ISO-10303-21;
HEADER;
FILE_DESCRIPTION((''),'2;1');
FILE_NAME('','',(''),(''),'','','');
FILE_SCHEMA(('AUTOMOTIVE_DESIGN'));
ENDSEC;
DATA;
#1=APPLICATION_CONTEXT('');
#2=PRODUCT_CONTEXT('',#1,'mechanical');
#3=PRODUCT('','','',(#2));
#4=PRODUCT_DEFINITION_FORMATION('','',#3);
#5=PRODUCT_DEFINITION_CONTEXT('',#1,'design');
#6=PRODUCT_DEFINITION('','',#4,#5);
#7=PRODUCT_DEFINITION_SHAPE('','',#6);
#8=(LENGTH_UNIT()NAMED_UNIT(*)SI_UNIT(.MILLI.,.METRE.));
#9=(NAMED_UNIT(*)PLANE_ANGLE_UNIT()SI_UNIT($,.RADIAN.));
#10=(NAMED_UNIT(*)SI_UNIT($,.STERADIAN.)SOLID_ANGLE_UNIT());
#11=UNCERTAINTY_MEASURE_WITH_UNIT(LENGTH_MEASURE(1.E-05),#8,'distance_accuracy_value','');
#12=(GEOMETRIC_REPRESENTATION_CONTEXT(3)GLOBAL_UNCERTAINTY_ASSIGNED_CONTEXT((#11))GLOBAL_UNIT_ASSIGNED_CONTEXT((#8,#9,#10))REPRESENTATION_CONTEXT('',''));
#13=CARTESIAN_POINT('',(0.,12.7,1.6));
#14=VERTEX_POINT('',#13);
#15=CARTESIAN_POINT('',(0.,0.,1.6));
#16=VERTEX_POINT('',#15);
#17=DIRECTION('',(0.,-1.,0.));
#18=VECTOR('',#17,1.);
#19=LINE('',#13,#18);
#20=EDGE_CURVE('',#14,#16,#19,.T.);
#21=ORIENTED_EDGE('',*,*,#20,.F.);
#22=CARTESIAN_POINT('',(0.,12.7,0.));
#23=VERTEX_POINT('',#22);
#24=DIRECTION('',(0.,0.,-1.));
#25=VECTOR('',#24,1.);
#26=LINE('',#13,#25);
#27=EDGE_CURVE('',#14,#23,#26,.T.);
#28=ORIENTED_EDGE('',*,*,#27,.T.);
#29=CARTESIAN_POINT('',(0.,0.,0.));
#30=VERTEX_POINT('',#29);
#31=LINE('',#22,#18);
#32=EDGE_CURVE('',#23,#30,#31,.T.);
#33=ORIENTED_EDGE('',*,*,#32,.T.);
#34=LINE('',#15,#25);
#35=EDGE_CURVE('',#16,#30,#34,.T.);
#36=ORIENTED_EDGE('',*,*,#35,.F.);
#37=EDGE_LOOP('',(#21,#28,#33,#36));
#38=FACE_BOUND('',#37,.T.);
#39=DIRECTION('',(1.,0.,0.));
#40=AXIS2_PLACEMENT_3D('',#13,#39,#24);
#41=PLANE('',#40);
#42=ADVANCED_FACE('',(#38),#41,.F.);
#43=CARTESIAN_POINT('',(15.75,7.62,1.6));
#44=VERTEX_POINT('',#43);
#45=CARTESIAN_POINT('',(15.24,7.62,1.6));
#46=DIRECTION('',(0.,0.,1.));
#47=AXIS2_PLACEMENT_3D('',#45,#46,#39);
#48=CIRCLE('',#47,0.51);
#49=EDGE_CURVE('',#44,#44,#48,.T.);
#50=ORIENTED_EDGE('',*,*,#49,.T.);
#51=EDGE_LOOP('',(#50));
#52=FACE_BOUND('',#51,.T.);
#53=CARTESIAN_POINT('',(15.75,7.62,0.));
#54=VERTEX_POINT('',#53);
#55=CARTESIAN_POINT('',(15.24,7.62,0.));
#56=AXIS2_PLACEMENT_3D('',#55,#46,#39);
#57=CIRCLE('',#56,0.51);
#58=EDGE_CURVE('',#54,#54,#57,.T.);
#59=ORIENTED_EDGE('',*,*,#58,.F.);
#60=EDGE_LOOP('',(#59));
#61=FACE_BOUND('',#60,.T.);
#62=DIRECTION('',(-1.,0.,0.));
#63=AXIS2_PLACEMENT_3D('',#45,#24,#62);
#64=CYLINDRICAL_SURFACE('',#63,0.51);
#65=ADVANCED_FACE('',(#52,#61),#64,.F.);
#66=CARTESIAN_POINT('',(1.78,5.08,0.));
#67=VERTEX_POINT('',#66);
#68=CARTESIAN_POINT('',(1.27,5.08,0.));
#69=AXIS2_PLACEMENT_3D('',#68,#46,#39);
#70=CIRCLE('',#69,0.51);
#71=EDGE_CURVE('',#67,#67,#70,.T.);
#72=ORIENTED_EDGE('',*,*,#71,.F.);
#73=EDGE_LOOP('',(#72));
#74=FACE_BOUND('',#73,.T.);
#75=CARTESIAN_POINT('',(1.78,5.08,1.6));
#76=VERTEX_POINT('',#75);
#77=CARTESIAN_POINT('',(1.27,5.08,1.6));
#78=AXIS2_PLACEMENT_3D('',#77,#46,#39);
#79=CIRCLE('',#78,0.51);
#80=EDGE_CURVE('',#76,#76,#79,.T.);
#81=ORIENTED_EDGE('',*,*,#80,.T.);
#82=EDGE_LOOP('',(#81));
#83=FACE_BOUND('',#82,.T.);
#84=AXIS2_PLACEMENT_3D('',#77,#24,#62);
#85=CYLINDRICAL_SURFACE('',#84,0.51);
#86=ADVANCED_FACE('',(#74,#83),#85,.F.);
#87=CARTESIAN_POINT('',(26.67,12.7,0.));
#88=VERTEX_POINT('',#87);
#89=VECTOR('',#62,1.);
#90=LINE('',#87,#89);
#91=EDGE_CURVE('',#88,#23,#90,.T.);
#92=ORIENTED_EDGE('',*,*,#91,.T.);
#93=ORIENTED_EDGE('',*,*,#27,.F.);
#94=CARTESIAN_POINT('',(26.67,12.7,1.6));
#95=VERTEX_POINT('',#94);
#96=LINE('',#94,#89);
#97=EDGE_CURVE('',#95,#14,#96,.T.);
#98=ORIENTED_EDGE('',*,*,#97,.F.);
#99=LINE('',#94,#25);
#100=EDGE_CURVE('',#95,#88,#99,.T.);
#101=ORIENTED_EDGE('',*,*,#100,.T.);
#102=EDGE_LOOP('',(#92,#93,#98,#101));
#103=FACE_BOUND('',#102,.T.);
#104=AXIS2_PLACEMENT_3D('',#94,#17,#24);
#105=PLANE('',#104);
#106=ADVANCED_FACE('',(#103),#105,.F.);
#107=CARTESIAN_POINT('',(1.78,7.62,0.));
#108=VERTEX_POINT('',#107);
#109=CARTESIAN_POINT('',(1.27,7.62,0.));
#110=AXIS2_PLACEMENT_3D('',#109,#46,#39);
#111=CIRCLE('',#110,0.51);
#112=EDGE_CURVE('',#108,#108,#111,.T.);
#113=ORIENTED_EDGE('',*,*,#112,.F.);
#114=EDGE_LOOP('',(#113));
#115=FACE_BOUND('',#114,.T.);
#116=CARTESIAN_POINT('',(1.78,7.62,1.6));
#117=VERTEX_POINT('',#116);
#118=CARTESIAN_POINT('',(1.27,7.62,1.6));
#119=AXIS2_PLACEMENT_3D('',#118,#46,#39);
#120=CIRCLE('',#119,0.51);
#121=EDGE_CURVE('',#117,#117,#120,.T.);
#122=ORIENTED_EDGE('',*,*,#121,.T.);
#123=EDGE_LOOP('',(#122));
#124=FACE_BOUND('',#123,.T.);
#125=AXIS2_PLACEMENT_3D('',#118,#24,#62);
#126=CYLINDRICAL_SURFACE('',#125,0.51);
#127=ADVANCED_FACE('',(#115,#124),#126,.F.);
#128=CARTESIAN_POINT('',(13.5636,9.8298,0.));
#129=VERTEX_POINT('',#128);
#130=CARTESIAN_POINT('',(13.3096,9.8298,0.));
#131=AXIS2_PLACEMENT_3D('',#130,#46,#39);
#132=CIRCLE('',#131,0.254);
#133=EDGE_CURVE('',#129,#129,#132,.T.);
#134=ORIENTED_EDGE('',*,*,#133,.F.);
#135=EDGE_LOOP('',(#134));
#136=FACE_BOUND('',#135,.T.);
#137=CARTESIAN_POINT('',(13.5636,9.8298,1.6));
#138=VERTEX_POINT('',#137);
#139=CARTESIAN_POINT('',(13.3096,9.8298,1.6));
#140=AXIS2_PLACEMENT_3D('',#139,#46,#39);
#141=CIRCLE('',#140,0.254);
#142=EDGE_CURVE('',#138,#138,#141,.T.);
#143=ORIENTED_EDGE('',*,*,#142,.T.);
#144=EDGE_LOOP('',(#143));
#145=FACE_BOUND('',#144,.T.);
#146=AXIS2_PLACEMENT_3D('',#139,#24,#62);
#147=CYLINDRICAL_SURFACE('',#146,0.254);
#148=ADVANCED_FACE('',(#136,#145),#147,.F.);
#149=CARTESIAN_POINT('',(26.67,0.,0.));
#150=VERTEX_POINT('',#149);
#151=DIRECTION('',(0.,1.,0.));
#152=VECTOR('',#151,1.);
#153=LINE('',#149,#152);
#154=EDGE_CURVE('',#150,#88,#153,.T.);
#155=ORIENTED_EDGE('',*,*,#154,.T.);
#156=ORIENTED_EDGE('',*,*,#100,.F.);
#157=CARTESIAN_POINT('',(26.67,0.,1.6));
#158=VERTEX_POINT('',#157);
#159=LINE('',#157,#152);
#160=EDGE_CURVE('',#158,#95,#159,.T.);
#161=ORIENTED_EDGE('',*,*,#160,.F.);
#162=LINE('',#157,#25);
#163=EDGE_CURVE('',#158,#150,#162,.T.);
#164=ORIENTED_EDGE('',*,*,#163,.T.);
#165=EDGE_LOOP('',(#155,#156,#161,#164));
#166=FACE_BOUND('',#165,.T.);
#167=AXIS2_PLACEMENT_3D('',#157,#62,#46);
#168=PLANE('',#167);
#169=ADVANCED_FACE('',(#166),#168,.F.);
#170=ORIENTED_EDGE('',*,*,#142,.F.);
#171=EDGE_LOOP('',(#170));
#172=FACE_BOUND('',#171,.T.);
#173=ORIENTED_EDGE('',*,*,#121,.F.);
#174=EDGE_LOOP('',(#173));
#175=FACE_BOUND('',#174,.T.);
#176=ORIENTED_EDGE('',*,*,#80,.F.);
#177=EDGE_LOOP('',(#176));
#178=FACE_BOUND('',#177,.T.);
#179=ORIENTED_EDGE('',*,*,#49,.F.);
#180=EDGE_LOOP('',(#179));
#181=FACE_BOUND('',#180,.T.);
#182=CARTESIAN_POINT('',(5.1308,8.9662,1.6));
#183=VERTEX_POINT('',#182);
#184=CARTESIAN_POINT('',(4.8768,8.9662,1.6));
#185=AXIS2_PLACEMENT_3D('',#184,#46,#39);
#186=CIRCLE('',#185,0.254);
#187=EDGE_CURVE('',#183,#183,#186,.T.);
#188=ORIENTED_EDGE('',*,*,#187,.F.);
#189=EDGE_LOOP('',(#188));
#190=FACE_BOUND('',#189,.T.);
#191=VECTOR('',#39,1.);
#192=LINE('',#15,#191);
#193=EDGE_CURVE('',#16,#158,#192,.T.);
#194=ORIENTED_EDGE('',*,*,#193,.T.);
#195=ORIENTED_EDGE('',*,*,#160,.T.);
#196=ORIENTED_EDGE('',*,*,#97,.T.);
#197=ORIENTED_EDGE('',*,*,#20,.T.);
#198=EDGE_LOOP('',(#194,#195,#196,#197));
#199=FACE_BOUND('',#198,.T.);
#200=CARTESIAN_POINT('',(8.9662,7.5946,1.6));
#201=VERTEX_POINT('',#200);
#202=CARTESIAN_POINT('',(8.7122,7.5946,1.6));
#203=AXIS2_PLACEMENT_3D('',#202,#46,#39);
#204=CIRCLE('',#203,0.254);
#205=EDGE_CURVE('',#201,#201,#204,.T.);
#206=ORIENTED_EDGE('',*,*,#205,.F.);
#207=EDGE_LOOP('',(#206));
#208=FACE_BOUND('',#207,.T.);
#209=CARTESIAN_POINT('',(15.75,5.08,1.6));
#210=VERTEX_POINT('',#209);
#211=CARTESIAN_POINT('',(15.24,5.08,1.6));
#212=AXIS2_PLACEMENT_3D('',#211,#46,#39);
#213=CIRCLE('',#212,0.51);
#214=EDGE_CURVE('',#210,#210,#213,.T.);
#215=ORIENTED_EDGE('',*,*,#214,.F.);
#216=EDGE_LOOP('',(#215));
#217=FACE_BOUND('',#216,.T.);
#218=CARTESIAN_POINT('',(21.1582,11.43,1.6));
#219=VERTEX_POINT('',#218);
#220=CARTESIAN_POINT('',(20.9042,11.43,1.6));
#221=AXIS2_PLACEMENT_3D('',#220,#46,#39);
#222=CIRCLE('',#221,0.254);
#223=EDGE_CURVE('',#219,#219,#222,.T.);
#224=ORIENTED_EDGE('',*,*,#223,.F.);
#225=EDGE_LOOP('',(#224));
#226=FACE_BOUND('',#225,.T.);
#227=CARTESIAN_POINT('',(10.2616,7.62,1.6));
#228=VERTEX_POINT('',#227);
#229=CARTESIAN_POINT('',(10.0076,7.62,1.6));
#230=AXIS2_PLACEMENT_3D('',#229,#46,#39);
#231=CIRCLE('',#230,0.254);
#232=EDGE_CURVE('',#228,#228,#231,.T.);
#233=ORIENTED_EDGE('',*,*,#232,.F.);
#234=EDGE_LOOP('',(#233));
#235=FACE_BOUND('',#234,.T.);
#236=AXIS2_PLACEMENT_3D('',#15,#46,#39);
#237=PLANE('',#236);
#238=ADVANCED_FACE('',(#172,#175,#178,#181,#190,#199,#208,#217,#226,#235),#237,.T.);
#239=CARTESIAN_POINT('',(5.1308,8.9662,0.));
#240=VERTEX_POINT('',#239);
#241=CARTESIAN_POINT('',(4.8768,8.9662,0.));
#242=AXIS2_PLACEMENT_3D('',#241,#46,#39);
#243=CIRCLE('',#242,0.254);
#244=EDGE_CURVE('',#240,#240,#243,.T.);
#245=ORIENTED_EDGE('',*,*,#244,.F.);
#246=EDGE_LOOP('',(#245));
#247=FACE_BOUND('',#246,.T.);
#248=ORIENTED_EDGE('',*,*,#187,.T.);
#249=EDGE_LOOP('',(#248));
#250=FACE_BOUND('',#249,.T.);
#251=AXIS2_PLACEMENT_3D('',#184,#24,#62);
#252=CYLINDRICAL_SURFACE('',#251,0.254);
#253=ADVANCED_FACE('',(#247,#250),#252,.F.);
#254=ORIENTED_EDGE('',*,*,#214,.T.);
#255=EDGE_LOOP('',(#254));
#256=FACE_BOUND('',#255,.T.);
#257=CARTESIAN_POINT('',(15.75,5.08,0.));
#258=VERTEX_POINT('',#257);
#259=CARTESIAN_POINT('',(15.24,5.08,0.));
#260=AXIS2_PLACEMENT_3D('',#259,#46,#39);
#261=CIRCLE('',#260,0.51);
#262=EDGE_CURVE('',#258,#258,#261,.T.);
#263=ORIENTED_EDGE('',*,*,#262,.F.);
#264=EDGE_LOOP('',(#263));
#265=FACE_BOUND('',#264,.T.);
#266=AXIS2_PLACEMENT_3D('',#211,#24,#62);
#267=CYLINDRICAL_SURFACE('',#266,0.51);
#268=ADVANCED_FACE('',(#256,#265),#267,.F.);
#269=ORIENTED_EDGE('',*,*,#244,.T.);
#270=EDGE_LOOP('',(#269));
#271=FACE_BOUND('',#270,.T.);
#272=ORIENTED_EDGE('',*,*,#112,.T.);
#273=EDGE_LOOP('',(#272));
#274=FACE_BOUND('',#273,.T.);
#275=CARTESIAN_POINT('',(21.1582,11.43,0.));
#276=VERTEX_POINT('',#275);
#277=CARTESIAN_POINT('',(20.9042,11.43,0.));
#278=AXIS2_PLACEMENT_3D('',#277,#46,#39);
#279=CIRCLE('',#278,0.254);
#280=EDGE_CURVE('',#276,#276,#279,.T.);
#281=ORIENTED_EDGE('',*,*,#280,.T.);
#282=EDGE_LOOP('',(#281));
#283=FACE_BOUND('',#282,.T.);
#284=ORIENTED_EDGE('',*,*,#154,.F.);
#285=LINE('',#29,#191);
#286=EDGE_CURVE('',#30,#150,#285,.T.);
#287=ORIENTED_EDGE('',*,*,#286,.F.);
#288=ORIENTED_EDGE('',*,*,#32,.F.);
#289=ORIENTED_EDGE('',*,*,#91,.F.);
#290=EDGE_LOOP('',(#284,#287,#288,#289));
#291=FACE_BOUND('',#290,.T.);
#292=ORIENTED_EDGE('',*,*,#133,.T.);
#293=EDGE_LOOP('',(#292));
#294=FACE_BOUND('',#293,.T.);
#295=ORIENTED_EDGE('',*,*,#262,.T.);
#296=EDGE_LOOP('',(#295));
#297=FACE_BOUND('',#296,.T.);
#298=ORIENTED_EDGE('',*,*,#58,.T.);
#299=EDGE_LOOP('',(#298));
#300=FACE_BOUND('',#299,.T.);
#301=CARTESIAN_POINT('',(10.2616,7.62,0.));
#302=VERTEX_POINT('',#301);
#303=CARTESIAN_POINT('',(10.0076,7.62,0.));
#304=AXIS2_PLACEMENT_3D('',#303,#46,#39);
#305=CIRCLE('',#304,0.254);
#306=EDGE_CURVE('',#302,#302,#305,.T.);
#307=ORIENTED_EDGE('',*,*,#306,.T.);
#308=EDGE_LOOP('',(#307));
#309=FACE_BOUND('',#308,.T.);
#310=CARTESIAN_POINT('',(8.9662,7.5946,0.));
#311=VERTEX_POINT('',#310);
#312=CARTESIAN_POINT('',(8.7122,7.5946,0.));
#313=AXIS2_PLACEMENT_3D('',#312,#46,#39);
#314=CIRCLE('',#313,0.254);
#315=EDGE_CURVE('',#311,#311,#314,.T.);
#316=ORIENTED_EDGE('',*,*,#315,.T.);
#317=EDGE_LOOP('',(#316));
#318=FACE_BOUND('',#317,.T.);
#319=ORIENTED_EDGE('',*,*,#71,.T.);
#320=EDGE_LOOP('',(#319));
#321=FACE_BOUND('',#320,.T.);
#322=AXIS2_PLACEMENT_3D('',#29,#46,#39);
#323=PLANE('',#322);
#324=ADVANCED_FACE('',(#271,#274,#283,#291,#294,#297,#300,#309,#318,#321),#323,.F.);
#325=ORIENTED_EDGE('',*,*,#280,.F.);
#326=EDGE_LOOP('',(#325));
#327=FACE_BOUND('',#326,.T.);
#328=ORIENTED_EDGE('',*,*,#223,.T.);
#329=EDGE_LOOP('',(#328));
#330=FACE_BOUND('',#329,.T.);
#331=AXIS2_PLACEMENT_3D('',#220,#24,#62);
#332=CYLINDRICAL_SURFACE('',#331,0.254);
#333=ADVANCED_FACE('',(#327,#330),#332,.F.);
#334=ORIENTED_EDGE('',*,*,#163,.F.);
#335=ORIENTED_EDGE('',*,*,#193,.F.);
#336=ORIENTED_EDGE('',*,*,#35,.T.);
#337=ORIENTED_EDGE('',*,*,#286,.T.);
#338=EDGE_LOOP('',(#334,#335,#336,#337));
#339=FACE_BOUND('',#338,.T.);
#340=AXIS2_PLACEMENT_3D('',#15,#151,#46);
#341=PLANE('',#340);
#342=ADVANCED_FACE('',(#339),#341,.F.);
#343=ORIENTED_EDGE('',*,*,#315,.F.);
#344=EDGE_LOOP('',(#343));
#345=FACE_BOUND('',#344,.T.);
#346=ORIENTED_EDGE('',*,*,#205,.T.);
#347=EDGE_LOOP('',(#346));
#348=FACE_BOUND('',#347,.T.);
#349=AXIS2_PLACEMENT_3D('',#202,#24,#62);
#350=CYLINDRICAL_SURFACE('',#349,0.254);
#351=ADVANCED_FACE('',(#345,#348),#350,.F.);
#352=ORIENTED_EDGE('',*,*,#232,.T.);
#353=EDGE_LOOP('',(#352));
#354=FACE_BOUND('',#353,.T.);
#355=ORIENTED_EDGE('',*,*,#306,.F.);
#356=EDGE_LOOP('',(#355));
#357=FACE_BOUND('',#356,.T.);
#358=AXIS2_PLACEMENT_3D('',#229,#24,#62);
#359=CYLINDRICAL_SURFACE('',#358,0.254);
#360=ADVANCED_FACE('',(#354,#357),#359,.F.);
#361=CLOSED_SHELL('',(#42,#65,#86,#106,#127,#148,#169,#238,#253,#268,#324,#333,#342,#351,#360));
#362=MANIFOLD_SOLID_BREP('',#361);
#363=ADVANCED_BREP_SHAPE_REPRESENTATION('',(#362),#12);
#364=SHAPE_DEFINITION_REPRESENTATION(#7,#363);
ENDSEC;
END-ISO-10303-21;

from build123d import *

# Parameters (mm, degrees)
SKETCH1_W           = 26.67
SKETCH1_H           = 12.7
BOARD_OUTLINE_DEPTH = 1.6
SKETCH2_R           = 0.254
NPTH_DEPTH          = 30.582746661
SKETCH3_R           = 0.51
PTH_DEPTH           = 30.582746661


with BuildPart() as part:
    # Sketch1 → Board_Outline (new body)
    with BuildSketch(Plane.XY):
        with Locations((13.335, 6.35)):
            Rectangle(SKETCH1_W, SKETCH1_H)
    extrude(amount=BOARD_OUTLINE_DEPTH)

    # Sketch2 → NPTH (cut, through all)
    with BuildSketch(Plane.XY):
        with Locations((8.7122, 7.5946)):
            Circle(SKETCH2_R)
        with Locations((10.0076, 7.62)):
            Circle(SKETCH2_R)
        with Locations((13.3096, 9.8298)):
            Circle(SKETCH2_R)
        with Locations((20.9042, 11.43)):
            Circle(SKETCH2_R)
        with Locations((4.8768, 8.9662)):
            Circle(SKETCH2_R)
    extrude(amount=NPTH_DEPTH, mode=Mode.SUBTRACT)

    # Sketch3 → PTH (cut, through all)
    with BuildSketch(Plane.XY):
        with Locations((1.27, 7.62)):
            Circle(SKETCH3_R)
        with Locations((1.27, 5.08)):
            Circle(SKETCH3_R)
        with Locations((15.24, 7.62)):
            Circle(SKETCH3_R)
        with Locations((15.24, 5.08)):
            Circle(SKETCH3_R)
    extrude(amount=PTH_DEPTH, mode=Mode.SUBTRACT)


solid = part.part
